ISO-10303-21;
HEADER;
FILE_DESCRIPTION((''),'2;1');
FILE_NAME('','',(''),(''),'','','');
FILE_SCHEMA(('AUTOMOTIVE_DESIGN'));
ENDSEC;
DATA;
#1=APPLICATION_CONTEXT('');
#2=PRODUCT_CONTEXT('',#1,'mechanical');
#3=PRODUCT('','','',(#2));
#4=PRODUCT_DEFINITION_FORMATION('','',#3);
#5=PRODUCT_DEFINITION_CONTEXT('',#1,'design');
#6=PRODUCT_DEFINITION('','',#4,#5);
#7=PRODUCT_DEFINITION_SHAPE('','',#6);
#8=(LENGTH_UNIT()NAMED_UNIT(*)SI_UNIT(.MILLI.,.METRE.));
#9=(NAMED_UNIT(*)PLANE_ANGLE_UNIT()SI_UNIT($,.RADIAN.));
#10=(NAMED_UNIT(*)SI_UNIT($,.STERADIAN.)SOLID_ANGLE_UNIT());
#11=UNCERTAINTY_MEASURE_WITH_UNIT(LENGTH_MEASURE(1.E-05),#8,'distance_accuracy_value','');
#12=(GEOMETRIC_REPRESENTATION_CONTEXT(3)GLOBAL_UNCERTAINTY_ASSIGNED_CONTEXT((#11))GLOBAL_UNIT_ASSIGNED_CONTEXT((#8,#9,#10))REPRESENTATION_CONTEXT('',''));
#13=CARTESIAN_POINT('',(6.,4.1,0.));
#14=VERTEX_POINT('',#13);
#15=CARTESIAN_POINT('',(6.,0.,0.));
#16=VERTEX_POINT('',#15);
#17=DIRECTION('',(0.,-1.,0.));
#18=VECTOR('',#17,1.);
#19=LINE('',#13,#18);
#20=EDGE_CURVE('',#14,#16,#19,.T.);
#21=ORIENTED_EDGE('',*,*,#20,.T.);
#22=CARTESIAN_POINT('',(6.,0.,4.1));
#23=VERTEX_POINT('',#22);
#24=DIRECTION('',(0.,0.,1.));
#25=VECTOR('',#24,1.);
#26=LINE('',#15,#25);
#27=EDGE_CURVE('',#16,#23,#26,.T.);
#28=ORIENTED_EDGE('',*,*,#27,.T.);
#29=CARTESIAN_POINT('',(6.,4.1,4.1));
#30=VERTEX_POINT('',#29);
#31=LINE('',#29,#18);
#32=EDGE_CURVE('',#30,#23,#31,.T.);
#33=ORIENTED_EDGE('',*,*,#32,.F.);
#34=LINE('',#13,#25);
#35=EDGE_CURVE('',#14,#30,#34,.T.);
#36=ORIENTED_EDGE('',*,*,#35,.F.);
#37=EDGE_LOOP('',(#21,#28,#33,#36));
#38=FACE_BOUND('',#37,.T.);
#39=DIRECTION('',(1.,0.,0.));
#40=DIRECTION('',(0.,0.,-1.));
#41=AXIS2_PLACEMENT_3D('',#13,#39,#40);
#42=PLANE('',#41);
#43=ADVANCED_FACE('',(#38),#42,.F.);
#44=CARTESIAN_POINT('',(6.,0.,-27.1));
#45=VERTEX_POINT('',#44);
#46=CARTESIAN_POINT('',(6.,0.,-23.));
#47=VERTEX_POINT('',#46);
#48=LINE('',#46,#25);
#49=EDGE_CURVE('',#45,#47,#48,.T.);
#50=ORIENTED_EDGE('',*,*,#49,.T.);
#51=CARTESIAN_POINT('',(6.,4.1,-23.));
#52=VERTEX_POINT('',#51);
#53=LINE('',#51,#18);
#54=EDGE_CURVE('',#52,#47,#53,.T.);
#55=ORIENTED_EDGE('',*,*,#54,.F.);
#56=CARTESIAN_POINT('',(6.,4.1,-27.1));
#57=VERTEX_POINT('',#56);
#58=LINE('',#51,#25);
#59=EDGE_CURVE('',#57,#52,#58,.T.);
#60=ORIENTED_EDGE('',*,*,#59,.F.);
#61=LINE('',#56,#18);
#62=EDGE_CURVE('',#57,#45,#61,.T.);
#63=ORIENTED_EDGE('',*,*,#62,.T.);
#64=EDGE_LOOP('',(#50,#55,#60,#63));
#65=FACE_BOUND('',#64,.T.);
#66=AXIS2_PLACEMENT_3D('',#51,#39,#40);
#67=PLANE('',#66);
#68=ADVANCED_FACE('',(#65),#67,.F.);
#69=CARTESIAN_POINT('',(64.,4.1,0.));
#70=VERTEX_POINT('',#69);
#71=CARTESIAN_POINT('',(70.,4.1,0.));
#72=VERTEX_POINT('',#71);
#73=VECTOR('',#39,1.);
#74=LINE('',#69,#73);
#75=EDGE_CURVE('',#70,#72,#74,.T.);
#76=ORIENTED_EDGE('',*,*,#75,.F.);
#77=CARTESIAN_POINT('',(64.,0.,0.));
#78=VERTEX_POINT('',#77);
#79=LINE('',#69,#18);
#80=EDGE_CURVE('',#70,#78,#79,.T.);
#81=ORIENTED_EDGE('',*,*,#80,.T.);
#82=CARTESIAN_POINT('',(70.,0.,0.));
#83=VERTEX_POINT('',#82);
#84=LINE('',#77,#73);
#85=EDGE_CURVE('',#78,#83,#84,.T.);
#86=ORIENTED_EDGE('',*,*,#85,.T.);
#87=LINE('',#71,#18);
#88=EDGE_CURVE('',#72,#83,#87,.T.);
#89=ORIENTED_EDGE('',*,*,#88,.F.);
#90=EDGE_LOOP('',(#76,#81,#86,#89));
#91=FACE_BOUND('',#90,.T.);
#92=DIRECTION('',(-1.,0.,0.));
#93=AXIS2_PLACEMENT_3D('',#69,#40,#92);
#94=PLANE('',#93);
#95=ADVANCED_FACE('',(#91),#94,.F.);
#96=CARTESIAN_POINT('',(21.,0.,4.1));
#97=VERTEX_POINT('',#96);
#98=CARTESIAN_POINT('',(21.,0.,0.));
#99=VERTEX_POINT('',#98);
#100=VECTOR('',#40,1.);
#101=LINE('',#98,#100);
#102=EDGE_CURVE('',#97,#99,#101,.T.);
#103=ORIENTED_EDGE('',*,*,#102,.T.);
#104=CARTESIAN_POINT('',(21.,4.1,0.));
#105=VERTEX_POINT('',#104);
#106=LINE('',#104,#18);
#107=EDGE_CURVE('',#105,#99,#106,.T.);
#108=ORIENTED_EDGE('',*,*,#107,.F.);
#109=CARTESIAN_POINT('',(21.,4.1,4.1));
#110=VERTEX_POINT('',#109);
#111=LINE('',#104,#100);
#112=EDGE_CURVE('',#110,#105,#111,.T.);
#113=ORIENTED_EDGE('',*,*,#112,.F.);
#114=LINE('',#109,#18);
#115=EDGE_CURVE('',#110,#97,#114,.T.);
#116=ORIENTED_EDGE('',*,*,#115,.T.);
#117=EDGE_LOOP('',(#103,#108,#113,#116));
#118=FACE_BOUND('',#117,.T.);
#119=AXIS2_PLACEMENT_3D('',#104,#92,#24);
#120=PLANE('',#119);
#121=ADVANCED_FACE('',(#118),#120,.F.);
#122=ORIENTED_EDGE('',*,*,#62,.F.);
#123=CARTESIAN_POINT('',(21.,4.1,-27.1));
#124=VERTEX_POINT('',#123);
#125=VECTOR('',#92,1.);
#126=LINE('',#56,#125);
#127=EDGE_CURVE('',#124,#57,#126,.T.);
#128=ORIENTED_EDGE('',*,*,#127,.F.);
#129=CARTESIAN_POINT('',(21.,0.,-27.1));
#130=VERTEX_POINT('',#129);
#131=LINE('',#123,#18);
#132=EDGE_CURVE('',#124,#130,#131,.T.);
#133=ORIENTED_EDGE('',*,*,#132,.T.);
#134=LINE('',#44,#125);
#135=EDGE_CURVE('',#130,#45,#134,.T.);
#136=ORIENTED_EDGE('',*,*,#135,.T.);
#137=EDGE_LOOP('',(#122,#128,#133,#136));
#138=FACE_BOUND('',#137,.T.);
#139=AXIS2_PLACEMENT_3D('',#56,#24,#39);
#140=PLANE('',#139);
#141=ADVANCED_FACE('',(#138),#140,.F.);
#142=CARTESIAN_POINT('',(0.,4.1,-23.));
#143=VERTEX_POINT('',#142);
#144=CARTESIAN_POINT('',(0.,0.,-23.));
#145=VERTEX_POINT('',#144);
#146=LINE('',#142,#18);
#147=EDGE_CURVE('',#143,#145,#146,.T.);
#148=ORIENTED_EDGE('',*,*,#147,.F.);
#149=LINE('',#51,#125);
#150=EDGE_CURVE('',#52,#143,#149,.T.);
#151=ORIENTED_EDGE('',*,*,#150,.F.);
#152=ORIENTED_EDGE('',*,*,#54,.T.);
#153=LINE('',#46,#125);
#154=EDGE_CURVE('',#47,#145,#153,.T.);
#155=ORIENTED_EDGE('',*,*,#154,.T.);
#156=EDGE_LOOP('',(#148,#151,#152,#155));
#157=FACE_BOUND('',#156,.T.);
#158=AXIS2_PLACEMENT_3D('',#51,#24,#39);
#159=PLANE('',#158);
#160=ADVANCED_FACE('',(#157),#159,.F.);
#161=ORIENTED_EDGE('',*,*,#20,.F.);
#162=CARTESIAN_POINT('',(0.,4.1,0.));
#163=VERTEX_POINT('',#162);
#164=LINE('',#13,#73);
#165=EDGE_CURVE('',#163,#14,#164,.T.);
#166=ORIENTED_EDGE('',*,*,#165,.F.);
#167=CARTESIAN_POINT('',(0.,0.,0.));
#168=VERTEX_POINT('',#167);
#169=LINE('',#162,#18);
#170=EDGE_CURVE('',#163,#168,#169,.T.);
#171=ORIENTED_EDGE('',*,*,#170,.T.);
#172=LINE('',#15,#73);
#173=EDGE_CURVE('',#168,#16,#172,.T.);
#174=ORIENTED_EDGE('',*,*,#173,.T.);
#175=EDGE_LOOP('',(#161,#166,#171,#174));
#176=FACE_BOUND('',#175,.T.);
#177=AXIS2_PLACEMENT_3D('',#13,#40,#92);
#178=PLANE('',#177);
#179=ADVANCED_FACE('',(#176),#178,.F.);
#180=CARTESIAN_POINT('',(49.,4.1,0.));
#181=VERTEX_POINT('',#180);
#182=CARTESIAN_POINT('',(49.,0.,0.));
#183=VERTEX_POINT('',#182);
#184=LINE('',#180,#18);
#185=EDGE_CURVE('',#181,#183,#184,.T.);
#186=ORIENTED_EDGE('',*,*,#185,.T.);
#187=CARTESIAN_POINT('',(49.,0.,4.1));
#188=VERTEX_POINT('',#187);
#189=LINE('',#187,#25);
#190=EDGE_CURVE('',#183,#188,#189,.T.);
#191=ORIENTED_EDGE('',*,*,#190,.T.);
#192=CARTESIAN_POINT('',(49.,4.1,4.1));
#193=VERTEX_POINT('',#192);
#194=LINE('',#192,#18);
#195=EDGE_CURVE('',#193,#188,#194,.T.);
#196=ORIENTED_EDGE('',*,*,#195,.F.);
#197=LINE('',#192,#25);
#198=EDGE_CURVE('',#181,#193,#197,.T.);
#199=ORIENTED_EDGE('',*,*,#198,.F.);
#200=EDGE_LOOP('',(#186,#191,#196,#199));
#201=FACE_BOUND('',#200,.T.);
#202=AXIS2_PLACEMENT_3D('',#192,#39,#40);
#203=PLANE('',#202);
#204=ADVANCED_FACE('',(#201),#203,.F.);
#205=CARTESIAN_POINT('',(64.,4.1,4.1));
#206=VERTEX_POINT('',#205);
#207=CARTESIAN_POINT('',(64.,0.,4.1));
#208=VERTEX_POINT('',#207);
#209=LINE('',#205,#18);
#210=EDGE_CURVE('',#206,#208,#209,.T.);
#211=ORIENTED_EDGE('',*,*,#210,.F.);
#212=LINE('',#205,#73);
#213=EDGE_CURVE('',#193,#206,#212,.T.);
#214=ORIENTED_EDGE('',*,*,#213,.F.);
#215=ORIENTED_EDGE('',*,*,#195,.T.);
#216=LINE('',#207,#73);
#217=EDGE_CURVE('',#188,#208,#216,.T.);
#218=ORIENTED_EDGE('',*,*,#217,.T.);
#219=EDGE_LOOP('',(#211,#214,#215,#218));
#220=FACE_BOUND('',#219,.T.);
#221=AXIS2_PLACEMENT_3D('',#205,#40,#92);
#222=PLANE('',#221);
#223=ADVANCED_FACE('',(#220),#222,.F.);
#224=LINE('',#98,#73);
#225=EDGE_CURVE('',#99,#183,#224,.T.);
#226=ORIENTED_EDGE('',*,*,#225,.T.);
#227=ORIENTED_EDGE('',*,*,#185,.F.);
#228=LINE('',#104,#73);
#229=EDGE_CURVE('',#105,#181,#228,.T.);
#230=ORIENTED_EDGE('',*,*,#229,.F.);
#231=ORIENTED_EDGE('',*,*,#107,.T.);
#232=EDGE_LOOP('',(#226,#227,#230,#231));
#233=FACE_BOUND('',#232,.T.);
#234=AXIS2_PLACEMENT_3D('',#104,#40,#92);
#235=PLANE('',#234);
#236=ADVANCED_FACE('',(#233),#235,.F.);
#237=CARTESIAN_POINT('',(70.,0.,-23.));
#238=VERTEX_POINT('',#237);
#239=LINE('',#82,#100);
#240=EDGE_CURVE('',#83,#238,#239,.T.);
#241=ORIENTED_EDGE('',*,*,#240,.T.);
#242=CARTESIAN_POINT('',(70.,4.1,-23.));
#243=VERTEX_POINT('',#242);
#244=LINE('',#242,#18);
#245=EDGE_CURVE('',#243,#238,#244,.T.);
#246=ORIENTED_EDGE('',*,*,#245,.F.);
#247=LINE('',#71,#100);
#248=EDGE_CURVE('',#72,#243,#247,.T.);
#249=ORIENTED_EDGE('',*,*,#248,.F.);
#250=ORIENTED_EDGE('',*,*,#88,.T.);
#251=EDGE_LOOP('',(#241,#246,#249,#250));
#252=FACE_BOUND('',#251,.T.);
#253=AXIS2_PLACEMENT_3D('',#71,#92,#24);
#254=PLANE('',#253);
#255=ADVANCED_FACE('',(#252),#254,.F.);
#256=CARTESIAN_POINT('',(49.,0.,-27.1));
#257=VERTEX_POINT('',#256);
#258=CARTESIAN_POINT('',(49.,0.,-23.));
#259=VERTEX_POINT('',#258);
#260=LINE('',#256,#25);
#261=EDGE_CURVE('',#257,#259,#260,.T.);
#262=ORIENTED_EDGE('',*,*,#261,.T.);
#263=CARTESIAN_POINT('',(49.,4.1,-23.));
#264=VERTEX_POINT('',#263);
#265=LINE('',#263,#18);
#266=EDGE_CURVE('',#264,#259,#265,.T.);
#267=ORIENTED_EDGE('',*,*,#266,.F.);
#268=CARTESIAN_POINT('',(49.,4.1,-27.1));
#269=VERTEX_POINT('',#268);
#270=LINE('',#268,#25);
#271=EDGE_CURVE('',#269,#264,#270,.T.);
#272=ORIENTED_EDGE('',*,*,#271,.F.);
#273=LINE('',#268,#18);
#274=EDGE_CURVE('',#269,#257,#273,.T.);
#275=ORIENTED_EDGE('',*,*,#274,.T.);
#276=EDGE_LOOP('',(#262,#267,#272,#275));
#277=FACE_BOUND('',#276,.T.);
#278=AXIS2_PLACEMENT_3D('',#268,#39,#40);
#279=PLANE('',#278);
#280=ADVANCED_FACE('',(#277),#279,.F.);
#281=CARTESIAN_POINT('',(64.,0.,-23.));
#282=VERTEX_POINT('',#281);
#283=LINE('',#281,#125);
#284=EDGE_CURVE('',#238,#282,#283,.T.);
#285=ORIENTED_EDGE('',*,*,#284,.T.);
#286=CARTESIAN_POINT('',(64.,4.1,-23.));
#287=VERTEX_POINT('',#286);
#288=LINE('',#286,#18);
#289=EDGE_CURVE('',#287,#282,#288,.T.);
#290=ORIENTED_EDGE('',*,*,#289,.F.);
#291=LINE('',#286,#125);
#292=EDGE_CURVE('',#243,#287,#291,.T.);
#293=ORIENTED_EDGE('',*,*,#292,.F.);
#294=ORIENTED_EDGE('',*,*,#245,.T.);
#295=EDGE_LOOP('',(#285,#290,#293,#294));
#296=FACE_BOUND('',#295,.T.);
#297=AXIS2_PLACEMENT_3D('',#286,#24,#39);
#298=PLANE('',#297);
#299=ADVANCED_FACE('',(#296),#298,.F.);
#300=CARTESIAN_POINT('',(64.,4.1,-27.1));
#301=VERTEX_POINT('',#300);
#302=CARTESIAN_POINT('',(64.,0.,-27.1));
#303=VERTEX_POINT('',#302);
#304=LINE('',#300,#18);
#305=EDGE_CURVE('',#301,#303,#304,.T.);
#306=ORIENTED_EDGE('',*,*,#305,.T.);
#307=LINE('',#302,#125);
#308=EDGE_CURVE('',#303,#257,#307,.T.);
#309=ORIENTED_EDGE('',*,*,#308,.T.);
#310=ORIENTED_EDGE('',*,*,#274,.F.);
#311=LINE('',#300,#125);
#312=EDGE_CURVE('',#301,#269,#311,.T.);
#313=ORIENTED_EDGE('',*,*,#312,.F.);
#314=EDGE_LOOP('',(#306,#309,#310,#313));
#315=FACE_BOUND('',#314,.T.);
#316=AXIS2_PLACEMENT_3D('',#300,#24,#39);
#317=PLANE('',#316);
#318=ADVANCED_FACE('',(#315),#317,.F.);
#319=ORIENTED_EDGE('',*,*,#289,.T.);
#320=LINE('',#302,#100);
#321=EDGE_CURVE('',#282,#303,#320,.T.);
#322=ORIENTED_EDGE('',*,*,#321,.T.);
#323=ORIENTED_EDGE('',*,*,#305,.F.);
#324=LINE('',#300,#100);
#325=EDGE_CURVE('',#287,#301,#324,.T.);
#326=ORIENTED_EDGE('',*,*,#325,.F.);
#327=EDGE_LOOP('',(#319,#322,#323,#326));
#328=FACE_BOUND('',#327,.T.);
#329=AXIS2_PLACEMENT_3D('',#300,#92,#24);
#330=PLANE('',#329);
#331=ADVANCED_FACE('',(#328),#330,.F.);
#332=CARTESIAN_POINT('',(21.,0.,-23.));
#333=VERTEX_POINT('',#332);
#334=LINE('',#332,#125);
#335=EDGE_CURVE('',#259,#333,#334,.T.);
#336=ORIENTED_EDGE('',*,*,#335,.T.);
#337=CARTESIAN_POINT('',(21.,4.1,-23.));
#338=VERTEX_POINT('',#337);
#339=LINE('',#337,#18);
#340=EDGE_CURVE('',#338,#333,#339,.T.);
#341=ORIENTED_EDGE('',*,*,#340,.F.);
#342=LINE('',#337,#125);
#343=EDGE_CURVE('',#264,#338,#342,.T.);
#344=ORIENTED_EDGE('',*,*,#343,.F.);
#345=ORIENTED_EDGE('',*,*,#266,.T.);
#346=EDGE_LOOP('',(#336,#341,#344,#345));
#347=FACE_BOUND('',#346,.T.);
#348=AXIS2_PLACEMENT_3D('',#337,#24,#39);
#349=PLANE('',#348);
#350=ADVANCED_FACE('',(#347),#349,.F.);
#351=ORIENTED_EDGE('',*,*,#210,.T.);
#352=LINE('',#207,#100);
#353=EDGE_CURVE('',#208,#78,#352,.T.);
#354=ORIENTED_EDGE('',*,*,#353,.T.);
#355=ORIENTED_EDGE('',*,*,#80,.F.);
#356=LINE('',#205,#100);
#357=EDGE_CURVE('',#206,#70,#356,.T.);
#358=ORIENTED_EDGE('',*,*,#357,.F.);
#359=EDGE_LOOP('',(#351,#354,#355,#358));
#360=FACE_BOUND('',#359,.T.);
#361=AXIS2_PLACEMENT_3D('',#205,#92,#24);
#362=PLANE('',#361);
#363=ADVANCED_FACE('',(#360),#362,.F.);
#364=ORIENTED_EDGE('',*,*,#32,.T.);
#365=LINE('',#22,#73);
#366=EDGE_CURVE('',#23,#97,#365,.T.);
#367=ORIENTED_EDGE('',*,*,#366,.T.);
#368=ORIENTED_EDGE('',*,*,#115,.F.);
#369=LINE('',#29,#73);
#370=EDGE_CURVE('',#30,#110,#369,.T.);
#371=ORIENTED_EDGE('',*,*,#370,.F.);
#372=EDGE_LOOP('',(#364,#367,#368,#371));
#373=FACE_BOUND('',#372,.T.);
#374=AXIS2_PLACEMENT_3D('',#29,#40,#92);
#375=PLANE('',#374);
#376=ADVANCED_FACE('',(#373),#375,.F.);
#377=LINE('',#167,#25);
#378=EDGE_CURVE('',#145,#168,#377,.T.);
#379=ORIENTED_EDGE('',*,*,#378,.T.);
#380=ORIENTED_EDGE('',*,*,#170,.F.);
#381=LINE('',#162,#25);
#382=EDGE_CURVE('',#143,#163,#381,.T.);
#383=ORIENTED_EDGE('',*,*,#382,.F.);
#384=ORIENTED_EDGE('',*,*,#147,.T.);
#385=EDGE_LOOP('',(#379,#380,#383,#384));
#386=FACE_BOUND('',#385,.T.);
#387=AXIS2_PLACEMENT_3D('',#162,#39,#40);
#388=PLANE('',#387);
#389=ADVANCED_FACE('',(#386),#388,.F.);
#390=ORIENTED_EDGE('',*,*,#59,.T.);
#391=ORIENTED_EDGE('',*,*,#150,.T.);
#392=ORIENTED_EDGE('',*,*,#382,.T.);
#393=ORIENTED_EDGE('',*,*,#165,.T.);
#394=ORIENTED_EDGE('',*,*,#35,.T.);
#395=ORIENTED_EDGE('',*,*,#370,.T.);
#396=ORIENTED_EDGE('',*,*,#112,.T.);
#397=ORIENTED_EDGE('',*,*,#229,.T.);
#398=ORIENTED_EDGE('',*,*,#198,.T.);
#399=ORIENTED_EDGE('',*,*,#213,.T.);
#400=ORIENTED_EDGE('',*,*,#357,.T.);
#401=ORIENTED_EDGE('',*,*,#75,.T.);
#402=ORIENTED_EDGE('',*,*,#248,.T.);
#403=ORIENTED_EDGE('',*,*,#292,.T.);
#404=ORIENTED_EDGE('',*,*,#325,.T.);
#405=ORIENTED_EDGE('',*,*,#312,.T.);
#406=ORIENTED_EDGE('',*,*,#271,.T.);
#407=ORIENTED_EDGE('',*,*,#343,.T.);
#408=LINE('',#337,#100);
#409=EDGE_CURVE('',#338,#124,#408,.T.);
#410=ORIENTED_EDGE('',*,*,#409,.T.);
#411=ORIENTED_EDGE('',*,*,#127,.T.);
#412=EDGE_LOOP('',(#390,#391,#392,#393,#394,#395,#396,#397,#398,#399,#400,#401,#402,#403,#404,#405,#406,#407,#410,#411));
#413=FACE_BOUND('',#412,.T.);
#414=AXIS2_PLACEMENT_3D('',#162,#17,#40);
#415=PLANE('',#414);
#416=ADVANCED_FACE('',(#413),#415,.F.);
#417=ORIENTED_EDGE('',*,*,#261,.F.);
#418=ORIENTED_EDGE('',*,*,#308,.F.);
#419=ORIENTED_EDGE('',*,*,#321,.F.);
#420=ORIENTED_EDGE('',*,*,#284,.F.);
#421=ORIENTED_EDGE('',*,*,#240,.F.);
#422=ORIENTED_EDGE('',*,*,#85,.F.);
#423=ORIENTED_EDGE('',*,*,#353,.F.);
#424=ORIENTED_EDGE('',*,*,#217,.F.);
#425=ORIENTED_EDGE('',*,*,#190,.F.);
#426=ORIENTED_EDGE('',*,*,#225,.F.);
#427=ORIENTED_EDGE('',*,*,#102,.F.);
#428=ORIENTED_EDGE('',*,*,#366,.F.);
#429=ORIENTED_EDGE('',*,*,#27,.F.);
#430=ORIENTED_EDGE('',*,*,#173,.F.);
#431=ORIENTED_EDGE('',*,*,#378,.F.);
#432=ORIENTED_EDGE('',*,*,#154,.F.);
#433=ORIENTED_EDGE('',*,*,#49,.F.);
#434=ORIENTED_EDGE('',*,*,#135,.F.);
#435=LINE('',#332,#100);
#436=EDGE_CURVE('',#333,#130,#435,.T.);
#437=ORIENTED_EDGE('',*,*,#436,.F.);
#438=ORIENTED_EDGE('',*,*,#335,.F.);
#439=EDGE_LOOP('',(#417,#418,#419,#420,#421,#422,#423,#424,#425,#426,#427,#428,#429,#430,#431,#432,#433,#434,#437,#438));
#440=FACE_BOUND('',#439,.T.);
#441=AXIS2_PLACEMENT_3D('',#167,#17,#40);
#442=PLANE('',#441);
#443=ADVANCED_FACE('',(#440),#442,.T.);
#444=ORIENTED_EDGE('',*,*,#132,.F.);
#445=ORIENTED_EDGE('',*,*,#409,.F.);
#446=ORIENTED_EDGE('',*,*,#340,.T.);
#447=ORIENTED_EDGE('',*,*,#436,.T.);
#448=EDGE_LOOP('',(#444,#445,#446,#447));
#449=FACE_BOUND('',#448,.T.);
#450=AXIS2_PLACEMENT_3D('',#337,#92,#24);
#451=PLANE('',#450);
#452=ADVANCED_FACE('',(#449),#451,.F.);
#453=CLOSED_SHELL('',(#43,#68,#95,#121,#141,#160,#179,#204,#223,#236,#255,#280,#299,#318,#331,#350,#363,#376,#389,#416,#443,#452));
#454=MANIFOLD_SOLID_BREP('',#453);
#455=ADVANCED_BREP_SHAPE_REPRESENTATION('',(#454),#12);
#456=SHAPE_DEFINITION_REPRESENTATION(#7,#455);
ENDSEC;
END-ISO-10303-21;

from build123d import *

# Parameters (mm, degrees)
BOSS_EXTRUDE1_DEPTH = 4.1


with BuildPart() as part:
    # Sketch1 → Boss-Extrude1 (new body)
    with BuildSketch(Plane(origin=(0, 0, 0), x_dir=(1, 0, 0), z_dir=(0, 1, 0))):
        Polygon((0, 0), (0, 23), (6, 23), (6, 27.1), (21, 27.1), (21, 23), (49, 23), (49, 27.1), (64, 27.1), (64, 23), (70, 23), (70, 0), (64, 0), (64, -4.1), (49, -4.1), (49, 0), (21, 0), (21, -4.1), (6, -4.1), (6, 0), align=None)
    extrude(amount=BOSS_EXTRUDE1_DEPTH)


solid = part.part
